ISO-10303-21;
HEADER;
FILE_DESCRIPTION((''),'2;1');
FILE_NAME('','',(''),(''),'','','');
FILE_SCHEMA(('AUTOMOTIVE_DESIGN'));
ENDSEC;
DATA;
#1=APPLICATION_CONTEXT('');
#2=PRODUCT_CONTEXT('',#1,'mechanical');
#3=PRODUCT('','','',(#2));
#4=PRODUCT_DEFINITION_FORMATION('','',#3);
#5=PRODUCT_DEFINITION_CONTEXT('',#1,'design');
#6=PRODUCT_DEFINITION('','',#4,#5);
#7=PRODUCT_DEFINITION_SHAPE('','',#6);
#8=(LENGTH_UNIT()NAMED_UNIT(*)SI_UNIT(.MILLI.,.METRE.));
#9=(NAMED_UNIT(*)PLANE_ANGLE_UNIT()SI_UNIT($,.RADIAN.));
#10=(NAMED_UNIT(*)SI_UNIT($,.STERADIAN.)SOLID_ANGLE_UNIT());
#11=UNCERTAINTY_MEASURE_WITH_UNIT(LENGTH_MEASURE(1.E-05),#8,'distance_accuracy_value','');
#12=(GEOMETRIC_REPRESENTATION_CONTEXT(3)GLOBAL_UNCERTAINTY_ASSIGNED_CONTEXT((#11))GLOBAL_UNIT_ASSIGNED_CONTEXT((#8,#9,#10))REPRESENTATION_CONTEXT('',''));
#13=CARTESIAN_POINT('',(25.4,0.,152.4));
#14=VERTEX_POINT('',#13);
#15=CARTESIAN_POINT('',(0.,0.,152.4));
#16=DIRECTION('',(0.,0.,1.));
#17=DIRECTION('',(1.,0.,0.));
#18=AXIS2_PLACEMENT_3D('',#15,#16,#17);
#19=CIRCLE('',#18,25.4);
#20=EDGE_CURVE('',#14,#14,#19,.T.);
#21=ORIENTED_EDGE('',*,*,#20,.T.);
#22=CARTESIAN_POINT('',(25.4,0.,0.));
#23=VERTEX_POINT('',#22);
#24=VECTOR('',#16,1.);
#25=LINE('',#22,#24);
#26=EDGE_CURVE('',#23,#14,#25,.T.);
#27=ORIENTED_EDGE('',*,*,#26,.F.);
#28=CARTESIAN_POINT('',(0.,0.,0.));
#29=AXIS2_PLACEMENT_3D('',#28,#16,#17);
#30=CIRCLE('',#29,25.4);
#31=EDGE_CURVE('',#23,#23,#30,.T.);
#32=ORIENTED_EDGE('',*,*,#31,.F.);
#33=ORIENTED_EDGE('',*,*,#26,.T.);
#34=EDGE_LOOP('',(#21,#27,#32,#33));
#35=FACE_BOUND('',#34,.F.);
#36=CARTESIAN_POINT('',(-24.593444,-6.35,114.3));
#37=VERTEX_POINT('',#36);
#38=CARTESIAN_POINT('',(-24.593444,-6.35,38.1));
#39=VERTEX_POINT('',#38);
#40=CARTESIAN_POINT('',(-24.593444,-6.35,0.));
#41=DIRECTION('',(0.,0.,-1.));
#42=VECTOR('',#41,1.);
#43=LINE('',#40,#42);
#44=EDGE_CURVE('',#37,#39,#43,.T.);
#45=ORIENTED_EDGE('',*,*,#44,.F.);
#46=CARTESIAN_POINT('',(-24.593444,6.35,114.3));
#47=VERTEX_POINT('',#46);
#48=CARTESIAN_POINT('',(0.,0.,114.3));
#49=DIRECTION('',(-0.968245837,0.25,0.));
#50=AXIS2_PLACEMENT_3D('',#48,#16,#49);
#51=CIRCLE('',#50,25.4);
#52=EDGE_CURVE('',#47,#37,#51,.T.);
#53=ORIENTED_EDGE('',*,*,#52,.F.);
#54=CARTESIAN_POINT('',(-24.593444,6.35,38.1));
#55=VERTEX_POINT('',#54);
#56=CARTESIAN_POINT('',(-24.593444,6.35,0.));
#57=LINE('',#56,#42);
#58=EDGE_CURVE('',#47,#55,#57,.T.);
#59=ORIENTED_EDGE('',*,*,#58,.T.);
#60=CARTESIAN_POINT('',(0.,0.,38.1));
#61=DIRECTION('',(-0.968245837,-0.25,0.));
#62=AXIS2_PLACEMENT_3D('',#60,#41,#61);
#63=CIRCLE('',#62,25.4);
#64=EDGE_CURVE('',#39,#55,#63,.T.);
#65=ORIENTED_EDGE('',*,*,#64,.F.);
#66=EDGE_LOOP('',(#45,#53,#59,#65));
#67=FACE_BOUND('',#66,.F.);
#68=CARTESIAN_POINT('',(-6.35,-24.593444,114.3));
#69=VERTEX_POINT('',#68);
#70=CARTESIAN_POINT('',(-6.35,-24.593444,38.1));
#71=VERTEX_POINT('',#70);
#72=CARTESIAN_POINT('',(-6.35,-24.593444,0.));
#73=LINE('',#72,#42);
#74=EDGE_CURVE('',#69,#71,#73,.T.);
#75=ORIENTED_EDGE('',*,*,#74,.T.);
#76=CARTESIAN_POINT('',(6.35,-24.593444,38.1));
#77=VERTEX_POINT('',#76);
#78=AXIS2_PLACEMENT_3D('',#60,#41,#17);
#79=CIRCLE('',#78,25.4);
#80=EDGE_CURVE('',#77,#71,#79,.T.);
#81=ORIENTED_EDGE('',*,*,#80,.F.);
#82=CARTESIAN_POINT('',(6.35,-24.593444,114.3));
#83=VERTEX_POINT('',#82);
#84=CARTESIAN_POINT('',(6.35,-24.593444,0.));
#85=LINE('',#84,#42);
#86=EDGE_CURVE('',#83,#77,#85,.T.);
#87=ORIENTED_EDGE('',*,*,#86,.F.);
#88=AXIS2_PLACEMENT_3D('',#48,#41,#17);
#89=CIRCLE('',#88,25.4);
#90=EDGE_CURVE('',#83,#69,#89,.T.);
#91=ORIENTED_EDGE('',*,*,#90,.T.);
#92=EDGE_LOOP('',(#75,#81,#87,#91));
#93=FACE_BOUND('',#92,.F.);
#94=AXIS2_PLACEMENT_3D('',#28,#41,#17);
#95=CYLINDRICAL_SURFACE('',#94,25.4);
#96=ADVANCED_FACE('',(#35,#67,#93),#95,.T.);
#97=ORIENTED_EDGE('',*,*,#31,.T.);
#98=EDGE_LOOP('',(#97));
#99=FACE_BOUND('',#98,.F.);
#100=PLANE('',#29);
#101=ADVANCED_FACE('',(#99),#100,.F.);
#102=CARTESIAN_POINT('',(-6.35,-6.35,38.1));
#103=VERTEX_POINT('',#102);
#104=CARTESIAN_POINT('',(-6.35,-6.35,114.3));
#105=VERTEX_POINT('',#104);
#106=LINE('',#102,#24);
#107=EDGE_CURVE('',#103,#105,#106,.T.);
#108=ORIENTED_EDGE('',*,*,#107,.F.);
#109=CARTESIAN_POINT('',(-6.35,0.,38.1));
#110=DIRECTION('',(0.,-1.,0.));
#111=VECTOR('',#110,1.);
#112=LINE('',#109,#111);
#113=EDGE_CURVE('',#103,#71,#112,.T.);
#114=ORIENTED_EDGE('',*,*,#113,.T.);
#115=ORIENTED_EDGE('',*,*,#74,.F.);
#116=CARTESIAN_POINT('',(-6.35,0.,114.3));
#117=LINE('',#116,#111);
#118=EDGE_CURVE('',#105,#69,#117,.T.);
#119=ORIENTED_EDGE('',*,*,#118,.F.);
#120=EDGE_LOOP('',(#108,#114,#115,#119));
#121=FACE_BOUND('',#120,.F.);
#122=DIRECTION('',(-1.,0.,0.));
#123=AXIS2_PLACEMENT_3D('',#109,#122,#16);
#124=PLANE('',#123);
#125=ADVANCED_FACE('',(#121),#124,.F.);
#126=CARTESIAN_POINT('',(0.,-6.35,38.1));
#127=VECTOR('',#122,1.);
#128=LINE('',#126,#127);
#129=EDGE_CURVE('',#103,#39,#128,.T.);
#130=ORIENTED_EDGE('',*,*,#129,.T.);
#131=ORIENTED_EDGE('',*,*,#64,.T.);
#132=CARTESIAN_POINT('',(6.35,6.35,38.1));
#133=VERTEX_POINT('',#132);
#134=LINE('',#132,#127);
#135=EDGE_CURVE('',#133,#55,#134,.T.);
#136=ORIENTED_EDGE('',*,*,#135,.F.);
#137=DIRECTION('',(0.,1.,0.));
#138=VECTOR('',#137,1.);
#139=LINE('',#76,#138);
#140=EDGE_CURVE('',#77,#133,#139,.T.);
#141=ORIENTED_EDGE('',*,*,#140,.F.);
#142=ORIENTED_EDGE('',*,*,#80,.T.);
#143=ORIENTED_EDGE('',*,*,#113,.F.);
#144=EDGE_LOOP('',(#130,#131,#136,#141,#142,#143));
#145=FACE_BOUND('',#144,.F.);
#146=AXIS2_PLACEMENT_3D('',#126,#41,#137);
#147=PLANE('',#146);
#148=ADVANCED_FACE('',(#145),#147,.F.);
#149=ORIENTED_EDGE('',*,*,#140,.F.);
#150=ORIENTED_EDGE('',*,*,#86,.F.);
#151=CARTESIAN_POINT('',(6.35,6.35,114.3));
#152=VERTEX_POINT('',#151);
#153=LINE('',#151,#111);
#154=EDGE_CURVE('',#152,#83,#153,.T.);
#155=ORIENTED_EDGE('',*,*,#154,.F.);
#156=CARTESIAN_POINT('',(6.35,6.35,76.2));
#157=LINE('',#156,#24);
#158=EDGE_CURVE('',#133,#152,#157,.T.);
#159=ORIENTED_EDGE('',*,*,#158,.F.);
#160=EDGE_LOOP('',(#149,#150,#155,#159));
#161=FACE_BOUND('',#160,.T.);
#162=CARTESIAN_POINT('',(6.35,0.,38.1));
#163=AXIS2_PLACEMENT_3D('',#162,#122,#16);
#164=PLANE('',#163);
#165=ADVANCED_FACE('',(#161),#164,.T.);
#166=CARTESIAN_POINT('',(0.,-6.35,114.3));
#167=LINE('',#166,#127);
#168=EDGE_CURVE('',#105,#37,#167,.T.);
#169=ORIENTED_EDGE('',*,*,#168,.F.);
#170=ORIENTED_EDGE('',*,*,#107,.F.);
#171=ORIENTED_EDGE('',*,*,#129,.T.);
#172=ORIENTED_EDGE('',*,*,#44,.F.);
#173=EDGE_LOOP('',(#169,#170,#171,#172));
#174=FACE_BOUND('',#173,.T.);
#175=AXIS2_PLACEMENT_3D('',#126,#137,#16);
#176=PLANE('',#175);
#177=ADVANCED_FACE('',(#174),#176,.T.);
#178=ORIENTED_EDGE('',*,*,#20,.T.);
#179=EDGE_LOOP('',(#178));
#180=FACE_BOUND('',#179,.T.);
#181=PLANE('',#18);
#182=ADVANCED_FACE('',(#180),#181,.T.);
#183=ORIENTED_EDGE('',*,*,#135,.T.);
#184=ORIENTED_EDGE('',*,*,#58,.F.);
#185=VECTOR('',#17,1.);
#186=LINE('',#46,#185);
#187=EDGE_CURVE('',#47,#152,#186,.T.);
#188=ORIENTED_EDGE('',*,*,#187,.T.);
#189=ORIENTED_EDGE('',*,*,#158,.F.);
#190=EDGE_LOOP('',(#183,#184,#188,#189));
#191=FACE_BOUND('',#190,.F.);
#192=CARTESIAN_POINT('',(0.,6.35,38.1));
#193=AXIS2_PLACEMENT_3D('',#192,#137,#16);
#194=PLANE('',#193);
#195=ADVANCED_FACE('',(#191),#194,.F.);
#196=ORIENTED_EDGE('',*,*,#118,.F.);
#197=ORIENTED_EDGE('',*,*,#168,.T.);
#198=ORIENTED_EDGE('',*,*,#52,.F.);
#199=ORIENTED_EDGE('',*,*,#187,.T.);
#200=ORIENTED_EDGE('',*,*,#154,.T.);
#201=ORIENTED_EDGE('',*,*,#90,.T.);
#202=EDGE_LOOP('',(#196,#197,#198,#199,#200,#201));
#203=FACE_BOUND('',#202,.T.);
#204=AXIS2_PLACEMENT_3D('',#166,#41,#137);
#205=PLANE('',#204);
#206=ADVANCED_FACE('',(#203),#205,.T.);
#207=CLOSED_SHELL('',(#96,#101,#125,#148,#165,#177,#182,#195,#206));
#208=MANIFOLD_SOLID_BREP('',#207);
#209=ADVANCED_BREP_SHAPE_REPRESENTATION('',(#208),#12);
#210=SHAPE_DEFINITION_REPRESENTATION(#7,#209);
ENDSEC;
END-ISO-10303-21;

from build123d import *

# Parameters (mm, degrees)
F0_R      = 25.4
F1_DEPTH  = 152.4
F2_W      = 12.7
F2_H      = 76.2
F3_DEPTH  = 25.4
F4_W      = 12.7
F4_H      = 76.2
F5_DEPTH  = 38.1
F5_FACE_W = 6.35
F5_FACE_H = 76.2
F6_DEPTH  = 6.35


with BuildPart() as f1:
    # F0 (on Top) → F1 (new body)
    with BuildSketch(Plane.XY):
        Circle(F0_R)
    extrude(amount=F1_DEPTH)

    # F2 (on Right) → F3 (cut)
    with BuildSketch(Plane.YZ):
        with Locations((0, 76.2)):
            Rectangle(F2_W, F2_H)
    extrude(amount=-F3_DEPTH, mode=Mode.SUBTRACT)

    # F4 (on Front) → F5 (cut)
    with BuildSketch(Plane.XZ):
        with Locations((0, 76.2)):
            Rectangle(F4_W, F4_H)
    extrude(amount=F5_DEPTH, mode=Mode.SUBTRACT)

    # F5_face (on face) → F6 (cut)
    with BuildSketch(Plane(origin=(3.175, 0, 76.2), x_dir=(1, 0, 0), z_dir=(0, -1, 0))):
        Rectangle(F5_FACE_W, F5_FACE_H)
    extrude(amount=-F6_DEPTH, mode=Mode.SUBTRACT)


solid = f1.part
